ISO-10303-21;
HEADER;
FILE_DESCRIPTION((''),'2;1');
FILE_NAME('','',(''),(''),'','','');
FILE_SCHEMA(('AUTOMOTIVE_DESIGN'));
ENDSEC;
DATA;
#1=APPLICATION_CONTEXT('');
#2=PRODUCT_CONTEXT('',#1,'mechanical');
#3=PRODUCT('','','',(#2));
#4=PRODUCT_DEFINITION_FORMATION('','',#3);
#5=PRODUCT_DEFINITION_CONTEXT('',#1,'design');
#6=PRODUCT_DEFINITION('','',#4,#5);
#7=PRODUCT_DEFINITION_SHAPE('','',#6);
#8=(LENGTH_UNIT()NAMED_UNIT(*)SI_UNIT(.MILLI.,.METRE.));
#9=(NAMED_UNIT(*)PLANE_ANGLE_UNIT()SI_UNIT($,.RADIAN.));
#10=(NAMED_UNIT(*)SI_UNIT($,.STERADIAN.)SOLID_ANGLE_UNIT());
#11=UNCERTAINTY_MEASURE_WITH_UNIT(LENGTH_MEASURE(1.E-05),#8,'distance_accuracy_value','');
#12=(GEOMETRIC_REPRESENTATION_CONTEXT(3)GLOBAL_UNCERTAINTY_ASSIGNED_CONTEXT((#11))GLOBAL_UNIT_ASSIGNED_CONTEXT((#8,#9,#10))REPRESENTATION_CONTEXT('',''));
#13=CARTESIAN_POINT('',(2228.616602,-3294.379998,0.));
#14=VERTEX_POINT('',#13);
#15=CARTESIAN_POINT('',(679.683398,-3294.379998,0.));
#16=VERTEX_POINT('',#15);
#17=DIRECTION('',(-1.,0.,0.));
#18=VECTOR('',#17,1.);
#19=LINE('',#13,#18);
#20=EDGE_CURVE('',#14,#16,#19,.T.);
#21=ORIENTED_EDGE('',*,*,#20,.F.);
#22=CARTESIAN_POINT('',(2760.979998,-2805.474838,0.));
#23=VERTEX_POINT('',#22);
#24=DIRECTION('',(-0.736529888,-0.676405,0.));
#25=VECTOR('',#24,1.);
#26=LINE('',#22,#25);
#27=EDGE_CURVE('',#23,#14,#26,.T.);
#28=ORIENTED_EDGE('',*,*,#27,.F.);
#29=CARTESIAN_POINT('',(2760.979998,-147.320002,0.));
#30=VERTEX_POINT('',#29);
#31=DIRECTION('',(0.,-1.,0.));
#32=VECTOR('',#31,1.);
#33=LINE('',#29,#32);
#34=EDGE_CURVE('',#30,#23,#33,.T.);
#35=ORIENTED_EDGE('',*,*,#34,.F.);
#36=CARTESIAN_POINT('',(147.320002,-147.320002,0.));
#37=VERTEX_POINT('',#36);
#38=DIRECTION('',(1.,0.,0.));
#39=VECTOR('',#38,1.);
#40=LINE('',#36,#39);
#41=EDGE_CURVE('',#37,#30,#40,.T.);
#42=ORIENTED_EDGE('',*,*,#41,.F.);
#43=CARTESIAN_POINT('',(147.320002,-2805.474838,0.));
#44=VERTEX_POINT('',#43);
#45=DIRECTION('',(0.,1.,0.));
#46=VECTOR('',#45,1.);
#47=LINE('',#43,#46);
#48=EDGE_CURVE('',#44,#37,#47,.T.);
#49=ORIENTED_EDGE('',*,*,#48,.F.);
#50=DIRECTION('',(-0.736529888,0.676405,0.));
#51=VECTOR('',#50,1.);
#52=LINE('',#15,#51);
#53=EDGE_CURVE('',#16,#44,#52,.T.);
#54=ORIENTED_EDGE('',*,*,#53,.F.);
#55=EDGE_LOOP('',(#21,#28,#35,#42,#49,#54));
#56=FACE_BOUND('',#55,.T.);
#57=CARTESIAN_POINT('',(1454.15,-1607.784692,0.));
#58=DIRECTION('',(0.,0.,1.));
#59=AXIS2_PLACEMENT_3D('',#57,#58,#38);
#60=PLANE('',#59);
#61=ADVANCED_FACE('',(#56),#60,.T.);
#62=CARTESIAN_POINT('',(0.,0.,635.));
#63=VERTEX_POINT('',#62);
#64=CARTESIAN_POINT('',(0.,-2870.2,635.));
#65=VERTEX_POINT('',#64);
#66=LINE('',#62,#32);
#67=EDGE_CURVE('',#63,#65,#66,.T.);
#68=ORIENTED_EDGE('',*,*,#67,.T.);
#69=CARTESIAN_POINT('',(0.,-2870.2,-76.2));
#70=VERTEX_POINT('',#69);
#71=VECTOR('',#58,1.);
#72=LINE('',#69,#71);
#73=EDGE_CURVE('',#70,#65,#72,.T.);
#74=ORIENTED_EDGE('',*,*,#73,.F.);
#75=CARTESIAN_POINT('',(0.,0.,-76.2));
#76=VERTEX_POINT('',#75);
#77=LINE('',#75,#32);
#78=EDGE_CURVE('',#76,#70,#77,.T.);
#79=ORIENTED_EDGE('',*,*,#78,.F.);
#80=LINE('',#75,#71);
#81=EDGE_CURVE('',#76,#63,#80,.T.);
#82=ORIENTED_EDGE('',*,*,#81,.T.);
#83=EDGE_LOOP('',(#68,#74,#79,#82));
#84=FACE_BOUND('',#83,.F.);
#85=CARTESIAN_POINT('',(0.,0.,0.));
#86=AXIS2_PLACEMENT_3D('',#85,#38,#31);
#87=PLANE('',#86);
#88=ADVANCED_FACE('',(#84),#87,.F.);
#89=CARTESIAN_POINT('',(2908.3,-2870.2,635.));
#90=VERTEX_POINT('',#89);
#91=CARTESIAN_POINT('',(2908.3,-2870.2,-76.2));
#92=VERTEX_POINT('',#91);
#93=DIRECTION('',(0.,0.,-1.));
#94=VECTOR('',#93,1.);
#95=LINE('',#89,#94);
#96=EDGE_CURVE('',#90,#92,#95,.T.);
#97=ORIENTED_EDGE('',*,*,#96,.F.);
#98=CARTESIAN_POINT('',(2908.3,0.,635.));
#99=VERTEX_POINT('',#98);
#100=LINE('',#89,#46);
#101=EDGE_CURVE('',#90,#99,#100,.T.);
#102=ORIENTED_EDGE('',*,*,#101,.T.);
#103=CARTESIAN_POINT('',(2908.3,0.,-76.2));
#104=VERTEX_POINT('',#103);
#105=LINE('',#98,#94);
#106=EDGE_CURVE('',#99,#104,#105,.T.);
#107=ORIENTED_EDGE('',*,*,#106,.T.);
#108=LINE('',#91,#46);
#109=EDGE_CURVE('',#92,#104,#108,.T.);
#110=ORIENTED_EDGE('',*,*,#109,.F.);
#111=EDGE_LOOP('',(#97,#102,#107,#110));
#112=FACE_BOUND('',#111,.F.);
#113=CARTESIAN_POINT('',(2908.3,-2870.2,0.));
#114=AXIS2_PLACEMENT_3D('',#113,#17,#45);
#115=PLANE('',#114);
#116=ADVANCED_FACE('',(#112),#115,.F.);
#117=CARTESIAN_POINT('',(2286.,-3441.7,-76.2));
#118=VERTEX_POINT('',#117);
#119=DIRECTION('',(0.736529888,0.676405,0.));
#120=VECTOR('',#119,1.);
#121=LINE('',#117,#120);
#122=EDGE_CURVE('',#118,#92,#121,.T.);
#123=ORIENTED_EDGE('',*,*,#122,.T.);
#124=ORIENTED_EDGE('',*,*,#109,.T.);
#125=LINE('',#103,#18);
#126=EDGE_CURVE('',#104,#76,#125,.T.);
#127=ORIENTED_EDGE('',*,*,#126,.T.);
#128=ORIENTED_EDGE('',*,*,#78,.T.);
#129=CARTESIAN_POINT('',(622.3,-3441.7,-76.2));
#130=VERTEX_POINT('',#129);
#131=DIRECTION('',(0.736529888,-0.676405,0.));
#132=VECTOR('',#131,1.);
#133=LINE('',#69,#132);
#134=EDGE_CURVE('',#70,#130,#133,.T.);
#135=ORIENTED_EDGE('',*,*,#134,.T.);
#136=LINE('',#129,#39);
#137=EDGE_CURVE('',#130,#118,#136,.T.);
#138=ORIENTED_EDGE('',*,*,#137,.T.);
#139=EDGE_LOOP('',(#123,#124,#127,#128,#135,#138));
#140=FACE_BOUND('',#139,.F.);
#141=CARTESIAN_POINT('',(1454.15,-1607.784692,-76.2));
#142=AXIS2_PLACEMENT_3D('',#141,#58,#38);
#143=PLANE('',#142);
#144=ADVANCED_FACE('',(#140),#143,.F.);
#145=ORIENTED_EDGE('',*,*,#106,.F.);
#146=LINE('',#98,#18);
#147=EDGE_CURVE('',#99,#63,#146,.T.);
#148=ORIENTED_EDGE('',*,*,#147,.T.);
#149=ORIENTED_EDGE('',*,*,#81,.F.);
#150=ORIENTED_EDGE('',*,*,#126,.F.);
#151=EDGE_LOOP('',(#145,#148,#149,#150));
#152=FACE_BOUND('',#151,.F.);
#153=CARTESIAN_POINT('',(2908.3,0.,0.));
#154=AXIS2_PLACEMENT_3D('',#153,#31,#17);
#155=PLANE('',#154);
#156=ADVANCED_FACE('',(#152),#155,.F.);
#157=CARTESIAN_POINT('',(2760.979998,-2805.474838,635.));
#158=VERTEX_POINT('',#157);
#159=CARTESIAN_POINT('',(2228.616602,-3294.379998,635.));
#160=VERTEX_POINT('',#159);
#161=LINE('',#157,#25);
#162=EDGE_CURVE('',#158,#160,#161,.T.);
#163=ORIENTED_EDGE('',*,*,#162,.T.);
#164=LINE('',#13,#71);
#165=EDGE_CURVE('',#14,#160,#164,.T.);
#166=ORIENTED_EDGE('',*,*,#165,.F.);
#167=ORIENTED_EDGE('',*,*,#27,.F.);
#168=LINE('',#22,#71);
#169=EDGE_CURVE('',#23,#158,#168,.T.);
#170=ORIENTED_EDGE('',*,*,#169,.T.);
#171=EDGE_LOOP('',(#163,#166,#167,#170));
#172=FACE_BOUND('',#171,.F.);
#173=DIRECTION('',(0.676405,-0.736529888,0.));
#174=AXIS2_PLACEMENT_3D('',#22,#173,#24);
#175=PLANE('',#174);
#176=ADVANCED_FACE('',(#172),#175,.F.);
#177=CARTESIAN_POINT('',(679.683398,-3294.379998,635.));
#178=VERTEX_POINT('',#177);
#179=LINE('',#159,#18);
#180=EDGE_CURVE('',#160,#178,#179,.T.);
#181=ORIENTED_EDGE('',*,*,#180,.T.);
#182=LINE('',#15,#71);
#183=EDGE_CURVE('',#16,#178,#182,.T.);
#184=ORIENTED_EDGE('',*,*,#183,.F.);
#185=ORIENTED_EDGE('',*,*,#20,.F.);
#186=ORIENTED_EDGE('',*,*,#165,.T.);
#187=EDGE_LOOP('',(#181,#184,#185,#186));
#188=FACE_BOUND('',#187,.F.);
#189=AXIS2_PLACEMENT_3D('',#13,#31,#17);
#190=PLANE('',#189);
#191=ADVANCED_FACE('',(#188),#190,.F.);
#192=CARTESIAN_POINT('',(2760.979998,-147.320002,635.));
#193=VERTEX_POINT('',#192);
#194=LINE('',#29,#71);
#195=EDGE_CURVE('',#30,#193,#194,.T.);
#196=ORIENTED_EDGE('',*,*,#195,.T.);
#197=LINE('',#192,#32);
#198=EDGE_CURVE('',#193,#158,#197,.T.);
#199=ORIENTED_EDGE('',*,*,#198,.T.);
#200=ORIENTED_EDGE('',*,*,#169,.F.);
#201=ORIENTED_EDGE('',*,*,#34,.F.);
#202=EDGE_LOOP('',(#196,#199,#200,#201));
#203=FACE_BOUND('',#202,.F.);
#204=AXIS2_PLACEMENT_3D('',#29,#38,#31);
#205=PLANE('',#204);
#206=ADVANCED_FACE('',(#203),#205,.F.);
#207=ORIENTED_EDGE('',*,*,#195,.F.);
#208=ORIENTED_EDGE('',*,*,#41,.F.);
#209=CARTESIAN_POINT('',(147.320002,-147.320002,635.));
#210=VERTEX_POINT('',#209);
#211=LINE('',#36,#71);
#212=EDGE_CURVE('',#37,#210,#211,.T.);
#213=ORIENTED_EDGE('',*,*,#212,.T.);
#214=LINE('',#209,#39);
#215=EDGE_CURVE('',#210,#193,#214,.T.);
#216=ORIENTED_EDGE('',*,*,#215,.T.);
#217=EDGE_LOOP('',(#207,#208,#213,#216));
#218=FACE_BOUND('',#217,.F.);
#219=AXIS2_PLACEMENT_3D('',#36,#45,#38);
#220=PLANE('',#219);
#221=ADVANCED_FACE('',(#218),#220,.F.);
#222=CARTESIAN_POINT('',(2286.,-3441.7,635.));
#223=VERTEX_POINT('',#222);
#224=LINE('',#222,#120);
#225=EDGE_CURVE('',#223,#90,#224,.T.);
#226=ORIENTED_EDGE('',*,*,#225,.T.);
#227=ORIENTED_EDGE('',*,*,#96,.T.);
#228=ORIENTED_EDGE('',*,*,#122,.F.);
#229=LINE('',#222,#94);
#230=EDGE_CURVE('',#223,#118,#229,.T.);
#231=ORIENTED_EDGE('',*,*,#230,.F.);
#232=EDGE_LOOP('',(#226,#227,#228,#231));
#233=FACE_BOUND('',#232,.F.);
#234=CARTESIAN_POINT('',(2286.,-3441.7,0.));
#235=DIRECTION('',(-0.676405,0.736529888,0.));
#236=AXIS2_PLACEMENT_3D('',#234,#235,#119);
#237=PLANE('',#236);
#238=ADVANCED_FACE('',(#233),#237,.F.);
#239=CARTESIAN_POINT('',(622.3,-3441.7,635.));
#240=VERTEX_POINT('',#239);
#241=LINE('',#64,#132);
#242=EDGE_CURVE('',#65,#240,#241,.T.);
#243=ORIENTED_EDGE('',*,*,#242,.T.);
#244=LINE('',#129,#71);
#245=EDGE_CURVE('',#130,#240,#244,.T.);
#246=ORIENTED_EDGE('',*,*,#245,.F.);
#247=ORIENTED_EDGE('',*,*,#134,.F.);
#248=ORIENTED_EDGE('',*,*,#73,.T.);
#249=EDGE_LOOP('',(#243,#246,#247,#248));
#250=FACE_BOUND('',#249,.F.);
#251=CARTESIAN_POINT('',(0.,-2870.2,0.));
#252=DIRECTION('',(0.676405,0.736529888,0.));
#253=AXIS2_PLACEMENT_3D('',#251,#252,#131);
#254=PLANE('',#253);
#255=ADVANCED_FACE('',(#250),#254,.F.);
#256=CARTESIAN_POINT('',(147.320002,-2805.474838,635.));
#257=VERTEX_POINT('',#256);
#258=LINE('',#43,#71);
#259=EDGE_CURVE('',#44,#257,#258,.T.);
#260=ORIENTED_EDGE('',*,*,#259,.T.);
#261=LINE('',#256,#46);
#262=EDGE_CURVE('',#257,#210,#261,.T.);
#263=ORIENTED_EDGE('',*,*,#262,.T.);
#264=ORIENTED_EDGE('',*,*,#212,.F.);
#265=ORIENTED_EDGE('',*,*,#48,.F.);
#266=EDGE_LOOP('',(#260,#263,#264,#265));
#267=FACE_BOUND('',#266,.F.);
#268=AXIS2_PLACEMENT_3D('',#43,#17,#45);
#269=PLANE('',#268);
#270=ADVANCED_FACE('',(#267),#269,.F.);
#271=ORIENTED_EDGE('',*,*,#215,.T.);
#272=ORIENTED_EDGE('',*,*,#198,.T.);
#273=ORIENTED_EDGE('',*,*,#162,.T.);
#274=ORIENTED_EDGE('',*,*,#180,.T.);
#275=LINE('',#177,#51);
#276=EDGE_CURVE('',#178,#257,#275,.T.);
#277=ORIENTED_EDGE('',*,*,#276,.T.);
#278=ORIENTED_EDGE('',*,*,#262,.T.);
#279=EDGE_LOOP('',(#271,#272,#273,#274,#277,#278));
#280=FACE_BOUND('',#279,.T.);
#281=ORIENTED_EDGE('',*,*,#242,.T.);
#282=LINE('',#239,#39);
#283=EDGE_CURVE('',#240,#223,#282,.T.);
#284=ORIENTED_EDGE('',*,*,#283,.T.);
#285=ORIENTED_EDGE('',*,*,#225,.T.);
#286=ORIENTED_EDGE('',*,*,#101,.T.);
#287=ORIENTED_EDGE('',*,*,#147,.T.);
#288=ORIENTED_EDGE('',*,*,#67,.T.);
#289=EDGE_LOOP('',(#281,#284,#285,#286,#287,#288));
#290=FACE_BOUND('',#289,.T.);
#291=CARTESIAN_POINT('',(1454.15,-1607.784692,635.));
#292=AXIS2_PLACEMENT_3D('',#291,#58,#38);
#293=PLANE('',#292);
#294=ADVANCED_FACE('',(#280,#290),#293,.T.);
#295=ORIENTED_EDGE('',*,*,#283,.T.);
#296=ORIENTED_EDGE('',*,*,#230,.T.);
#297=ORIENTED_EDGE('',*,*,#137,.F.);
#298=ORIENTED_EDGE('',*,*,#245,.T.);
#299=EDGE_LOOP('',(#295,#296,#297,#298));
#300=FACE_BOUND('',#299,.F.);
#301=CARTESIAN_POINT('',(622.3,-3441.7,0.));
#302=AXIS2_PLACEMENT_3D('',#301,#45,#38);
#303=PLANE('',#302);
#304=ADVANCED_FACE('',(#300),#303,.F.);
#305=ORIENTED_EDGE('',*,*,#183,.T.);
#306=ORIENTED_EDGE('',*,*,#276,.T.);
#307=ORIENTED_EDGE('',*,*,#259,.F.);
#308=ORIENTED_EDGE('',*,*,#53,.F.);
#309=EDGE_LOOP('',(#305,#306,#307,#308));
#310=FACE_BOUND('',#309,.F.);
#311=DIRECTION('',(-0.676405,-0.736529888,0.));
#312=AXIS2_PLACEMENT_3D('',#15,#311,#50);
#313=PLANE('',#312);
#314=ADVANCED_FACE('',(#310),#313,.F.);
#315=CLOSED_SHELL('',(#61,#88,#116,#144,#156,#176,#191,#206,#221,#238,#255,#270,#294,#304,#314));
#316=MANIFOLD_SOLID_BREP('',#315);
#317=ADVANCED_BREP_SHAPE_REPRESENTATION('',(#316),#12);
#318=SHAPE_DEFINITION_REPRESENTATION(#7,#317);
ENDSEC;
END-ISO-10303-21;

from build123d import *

# Parameters (mm, degrees)
F1_DEPTH = 76.2
F2_DEPTH = 635


with BuildPart() as f1:
    # F0 (on Top) → F1 (new body)
    with BuildSketch(Plane.XY):
        Polygon((2908.3, 0), (0, 0), (0, -2870.2), (622.3, -3441.7), (2286, -3441.7), (2908.3, -2870.2), align=None)
        Polygon((2228.616602, -3294.379998), (679.683398, -3294.379998), (147.320002, -2805.474838), (147.320002, -147.320002), (2760.979998, -147.320002), (2760.979998, -2805.474838), align=None, mode=Mode.SUBTRACT)
        Polygon((147.320002, -2805.474838), (679.683398, -3294.379998), (2228.616602, -3294.379998), (2760.979998, -2805.474838), (2760.979998, -147.320002), (147.320002, -147.320002), align=None)
    extrude(amount=-F1_DEPTH)

    # F0 (on Top) → F2 (join)
    with BuildSketch(Plane.XY):
        Polygon((2908.3, 0), (0, 0), (0, -2870.2), (622.3, -3441.7), (2286, -3441.7), (2908.3, -2870.2), align=None)
        Polygon((2228.616602, -3294.379998), (679.683398, -3294.379998), (147.320002, -2805.474838), (147.320002, -147.320002), (2760.979998, -147.320002), (2760.979998, -2805.474838), align=None, mode=Mode.SUBTRACT)
    extrude(amount=F2_DEPTH)


solid = f1.part
